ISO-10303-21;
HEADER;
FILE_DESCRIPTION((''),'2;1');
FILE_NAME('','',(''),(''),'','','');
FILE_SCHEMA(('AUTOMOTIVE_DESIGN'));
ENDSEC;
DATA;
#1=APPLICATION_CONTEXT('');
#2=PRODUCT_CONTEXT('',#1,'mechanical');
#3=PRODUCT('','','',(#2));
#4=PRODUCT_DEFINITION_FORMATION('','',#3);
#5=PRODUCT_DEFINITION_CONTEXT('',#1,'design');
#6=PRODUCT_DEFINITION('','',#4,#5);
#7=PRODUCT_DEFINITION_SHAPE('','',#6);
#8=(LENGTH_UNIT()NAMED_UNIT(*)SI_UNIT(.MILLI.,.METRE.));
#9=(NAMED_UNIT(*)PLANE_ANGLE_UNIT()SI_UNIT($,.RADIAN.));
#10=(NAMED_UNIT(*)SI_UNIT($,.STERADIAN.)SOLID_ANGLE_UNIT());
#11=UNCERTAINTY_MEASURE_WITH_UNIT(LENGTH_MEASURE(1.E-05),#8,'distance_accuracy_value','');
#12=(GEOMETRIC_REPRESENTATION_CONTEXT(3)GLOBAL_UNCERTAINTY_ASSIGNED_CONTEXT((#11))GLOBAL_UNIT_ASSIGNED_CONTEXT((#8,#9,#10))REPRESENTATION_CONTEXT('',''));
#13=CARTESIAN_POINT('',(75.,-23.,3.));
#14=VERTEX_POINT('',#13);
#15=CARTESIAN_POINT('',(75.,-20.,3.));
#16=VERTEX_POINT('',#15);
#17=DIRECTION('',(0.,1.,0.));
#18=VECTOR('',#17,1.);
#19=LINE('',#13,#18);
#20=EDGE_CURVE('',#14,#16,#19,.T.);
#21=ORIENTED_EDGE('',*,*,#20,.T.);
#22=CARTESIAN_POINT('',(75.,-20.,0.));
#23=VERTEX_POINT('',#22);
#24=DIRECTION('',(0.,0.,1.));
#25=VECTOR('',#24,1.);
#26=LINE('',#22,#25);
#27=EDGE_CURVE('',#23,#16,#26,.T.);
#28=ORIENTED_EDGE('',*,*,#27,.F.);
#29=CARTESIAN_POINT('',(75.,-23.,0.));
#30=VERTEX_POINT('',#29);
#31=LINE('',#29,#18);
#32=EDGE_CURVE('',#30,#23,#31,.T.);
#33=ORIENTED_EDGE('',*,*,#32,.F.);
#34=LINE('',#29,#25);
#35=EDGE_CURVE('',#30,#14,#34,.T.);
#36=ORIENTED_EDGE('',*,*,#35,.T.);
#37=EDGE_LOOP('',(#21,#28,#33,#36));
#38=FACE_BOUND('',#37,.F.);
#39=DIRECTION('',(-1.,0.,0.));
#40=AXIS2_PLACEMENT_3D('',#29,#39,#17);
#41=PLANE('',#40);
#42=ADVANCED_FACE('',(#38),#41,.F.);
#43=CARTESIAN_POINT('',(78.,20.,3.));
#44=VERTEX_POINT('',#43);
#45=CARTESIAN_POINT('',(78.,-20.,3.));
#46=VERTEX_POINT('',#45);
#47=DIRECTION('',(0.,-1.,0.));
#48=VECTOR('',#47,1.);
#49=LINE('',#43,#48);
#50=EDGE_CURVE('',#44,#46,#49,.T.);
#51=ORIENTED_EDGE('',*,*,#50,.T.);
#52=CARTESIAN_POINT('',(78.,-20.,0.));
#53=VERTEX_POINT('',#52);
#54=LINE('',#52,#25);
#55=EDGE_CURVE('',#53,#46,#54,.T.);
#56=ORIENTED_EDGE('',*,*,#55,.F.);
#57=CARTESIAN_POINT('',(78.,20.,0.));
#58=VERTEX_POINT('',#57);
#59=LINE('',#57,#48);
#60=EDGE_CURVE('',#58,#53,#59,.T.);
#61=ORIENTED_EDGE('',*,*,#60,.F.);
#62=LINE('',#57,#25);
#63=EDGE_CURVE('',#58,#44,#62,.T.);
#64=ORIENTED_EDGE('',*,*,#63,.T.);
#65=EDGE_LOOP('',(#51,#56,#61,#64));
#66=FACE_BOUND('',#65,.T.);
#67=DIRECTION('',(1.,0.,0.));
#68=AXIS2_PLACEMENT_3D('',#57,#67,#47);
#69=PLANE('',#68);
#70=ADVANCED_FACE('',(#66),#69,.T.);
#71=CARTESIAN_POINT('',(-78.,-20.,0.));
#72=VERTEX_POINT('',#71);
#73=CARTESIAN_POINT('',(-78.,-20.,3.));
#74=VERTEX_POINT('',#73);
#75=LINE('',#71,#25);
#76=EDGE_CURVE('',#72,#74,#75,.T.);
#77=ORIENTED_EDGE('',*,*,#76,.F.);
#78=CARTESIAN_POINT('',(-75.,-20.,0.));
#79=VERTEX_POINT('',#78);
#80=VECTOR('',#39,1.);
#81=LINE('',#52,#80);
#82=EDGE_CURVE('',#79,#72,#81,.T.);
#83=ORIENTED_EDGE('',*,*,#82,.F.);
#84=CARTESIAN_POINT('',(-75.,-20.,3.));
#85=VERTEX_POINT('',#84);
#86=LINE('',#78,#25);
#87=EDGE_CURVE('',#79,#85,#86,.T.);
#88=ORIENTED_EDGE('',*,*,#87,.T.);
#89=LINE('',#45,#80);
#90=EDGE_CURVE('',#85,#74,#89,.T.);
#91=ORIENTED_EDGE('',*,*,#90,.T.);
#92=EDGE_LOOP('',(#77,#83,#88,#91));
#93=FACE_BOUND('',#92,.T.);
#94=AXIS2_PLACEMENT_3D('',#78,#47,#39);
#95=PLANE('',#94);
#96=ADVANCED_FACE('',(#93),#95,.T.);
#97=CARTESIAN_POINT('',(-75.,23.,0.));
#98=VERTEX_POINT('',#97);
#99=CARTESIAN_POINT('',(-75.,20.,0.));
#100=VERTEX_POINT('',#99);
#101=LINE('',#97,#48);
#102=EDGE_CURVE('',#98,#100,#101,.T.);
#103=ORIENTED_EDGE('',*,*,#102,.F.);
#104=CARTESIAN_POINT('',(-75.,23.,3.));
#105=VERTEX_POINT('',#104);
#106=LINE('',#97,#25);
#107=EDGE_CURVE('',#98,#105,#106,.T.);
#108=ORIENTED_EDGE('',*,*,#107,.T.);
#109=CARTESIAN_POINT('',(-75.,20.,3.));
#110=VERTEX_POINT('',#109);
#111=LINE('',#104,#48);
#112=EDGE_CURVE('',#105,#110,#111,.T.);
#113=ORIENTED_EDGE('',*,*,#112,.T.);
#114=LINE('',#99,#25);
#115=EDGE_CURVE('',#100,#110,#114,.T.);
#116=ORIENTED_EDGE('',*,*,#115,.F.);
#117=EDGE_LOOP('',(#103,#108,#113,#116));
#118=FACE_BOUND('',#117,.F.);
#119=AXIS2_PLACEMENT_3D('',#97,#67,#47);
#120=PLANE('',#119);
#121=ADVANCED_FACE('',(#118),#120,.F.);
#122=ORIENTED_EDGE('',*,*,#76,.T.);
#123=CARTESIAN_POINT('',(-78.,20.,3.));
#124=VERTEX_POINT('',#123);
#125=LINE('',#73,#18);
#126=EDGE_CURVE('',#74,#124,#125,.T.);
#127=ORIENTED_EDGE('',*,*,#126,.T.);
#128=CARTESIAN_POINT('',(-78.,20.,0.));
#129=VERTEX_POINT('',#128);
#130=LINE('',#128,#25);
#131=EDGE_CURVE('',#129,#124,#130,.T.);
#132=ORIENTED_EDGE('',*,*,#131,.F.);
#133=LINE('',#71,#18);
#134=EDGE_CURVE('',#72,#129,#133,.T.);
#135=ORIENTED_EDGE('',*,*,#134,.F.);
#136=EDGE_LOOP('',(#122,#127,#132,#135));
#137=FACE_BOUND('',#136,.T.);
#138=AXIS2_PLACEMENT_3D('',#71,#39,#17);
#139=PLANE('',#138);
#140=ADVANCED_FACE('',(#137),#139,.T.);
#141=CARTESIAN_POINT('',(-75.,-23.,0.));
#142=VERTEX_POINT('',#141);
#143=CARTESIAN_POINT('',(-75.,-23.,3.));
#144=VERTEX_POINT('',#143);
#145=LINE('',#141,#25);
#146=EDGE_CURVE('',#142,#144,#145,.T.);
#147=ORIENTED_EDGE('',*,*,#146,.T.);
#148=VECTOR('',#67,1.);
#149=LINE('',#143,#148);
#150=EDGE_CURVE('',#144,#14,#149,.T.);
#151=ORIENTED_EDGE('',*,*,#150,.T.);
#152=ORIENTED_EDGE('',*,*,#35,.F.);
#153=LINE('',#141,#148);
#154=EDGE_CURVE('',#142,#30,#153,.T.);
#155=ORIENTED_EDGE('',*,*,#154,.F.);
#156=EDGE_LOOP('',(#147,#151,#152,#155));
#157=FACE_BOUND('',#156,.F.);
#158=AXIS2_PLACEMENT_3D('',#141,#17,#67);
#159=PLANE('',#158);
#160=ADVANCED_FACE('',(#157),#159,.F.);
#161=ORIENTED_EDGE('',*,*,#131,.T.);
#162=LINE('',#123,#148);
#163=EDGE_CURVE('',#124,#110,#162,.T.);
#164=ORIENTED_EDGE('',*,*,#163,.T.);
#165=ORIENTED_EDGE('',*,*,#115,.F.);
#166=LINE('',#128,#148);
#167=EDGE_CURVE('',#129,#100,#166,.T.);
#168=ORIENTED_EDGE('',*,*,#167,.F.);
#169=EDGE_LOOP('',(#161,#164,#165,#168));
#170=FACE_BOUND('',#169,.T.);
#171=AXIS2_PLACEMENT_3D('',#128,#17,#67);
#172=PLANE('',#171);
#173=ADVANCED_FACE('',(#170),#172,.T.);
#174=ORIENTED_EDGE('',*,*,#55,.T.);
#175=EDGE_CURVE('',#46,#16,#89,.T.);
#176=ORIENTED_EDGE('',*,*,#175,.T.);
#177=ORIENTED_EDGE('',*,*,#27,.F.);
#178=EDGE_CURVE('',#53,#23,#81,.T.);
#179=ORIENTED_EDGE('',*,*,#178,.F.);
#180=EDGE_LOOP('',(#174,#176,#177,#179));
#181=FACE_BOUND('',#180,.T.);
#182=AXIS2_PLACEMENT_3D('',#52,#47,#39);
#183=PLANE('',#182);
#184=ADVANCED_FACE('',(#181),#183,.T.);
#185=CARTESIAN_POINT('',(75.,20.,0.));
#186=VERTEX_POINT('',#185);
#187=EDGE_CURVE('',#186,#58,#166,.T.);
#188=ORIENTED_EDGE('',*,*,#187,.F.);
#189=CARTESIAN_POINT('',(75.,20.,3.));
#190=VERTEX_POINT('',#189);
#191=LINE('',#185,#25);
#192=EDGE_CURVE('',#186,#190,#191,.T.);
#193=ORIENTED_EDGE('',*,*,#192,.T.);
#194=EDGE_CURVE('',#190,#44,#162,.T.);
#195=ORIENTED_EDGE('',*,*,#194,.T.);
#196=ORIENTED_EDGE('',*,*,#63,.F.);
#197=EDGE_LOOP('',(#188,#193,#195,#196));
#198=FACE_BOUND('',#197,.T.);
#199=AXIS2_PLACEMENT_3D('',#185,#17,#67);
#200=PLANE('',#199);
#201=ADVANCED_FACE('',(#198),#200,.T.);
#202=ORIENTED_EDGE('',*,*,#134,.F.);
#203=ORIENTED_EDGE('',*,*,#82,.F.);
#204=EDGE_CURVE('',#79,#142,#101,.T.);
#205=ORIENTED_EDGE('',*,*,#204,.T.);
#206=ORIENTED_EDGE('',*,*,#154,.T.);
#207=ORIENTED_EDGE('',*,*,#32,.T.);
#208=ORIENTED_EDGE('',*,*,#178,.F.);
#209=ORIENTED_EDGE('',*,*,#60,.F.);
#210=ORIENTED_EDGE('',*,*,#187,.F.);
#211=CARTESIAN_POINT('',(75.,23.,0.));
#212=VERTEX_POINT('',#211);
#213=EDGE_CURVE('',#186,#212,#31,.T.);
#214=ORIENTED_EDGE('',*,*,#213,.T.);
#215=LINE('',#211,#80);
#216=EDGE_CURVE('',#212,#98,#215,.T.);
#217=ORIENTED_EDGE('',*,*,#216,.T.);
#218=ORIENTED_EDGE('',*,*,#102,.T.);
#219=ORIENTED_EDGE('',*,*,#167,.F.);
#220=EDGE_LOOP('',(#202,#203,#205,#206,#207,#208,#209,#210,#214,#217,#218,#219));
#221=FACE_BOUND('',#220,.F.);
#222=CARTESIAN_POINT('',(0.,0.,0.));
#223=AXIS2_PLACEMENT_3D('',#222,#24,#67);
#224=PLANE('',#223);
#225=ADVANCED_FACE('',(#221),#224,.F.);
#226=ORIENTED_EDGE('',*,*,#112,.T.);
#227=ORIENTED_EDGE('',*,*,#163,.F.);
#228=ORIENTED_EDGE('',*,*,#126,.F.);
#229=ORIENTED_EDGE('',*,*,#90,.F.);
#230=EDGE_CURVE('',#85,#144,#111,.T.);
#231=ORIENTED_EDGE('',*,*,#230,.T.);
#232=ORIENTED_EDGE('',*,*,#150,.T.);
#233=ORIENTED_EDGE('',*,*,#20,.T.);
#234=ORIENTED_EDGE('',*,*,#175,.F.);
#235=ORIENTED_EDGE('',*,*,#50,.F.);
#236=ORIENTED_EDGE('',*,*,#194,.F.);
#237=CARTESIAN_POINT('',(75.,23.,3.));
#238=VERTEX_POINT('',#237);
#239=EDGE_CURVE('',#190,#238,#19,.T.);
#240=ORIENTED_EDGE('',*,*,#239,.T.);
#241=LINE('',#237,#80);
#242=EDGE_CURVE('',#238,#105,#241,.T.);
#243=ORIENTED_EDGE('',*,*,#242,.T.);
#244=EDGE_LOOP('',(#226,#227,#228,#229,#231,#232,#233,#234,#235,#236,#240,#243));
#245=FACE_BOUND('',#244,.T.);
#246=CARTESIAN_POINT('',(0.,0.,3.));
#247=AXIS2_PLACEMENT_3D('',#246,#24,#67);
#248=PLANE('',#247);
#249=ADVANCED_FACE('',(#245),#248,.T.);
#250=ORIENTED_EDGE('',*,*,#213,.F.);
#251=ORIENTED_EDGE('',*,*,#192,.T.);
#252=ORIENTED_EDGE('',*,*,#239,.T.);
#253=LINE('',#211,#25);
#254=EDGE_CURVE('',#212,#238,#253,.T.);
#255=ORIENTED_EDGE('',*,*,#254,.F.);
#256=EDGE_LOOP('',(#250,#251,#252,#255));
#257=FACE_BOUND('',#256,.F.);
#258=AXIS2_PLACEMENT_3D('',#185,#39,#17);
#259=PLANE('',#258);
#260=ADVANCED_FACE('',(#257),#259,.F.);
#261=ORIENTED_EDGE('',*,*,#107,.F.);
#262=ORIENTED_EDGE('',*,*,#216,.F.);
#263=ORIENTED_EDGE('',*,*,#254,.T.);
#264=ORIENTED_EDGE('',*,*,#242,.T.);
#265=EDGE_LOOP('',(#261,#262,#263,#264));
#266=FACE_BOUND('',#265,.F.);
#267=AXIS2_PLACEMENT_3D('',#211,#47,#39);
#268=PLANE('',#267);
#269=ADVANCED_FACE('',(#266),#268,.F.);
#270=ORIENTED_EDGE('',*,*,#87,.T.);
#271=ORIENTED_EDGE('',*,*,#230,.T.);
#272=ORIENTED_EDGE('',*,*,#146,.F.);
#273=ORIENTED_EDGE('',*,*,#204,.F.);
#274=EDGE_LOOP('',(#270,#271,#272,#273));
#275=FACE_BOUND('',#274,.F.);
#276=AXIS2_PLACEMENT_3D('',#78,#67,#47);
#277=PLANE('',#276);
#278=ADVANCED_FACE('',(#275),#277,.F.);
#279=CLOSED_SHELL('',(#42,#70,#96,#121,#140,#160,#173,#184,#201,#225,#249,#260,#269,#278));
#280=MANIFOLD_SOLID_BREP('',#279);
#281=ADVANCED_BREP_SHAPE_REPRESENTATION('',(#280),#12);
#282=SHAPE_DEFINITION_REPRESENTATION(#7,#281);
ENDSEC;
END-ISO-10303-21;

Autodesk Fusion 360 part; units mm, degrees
sketch "Esquisse1" plane through (0, 0, 0) normal (0, 0, 1) x (1, 0, 0)
  line L0 (75, 23) -> (-75, 23)
  line L1 (-75, 23) -> (-75, -23)
  line L2 (-75, -23) -> (75, -23)
  line L3 (75, -23) -> (75, 23)
  line L4 (75, 23) -> (-75, -23) construction
  line L5 (-75, 23) -> (75, -23) construction
  line L6 (78, -20) -> (-78, -20)
  line L7 (-78, -20) -> (-78, 20)
  line L8 (-78, 20) -> (78, 20)
  line L9 (78, 20) -> (78, -20)
  line L10 (78, -20) -> (-78, 20) construction
  line L11 (-78, -20) -> (78, 20) construction
  dimension "d1" = 150
  dimension "d2" = 156
  dimension "d3" = 40
  dimension "d4" = 46
extrude "Extrusion1" add sketch "Esquisse1" along normal blind 3
equation "d2 = d1 + ( 2 * 3 ) * 1 mm"
equation "d4 = d3 + ( 2 * 3 ) * 1 mm"
equation "Transfo_notch_larg_Ref = 1.6 mm" comment "epaisseur des encoches du transfo"
equation "Trasnfo_notch_long_Ref = 4 mm" comment "Longueurs des encoches du transfo"
equation "Transfo_Dist_Larg_2_notchs_Ref = 11.9 mm" comment "Distance entre deux encoches (largeur)"
equation "Transfo_Dist_Long_2_nothcs_Ref = 39 mm - ( 2 * 1.6 ) * 1 mm" comment "Distance (longueur) entre deux encoches"
equation "Transfo_Hole_Diam_Ref = 3.7 mm" comment "Diamètre des trous du transfo"
equation "Transfo_Dist_2_Hole_Ref = 16.7 mm" comment "Distance entre les centres des trous du transfo"
equation "Transfo_Dist_Notch_Hole_Ref = 69.2 mm" comment "Distance (minimal) entre les encoches et les trous"
